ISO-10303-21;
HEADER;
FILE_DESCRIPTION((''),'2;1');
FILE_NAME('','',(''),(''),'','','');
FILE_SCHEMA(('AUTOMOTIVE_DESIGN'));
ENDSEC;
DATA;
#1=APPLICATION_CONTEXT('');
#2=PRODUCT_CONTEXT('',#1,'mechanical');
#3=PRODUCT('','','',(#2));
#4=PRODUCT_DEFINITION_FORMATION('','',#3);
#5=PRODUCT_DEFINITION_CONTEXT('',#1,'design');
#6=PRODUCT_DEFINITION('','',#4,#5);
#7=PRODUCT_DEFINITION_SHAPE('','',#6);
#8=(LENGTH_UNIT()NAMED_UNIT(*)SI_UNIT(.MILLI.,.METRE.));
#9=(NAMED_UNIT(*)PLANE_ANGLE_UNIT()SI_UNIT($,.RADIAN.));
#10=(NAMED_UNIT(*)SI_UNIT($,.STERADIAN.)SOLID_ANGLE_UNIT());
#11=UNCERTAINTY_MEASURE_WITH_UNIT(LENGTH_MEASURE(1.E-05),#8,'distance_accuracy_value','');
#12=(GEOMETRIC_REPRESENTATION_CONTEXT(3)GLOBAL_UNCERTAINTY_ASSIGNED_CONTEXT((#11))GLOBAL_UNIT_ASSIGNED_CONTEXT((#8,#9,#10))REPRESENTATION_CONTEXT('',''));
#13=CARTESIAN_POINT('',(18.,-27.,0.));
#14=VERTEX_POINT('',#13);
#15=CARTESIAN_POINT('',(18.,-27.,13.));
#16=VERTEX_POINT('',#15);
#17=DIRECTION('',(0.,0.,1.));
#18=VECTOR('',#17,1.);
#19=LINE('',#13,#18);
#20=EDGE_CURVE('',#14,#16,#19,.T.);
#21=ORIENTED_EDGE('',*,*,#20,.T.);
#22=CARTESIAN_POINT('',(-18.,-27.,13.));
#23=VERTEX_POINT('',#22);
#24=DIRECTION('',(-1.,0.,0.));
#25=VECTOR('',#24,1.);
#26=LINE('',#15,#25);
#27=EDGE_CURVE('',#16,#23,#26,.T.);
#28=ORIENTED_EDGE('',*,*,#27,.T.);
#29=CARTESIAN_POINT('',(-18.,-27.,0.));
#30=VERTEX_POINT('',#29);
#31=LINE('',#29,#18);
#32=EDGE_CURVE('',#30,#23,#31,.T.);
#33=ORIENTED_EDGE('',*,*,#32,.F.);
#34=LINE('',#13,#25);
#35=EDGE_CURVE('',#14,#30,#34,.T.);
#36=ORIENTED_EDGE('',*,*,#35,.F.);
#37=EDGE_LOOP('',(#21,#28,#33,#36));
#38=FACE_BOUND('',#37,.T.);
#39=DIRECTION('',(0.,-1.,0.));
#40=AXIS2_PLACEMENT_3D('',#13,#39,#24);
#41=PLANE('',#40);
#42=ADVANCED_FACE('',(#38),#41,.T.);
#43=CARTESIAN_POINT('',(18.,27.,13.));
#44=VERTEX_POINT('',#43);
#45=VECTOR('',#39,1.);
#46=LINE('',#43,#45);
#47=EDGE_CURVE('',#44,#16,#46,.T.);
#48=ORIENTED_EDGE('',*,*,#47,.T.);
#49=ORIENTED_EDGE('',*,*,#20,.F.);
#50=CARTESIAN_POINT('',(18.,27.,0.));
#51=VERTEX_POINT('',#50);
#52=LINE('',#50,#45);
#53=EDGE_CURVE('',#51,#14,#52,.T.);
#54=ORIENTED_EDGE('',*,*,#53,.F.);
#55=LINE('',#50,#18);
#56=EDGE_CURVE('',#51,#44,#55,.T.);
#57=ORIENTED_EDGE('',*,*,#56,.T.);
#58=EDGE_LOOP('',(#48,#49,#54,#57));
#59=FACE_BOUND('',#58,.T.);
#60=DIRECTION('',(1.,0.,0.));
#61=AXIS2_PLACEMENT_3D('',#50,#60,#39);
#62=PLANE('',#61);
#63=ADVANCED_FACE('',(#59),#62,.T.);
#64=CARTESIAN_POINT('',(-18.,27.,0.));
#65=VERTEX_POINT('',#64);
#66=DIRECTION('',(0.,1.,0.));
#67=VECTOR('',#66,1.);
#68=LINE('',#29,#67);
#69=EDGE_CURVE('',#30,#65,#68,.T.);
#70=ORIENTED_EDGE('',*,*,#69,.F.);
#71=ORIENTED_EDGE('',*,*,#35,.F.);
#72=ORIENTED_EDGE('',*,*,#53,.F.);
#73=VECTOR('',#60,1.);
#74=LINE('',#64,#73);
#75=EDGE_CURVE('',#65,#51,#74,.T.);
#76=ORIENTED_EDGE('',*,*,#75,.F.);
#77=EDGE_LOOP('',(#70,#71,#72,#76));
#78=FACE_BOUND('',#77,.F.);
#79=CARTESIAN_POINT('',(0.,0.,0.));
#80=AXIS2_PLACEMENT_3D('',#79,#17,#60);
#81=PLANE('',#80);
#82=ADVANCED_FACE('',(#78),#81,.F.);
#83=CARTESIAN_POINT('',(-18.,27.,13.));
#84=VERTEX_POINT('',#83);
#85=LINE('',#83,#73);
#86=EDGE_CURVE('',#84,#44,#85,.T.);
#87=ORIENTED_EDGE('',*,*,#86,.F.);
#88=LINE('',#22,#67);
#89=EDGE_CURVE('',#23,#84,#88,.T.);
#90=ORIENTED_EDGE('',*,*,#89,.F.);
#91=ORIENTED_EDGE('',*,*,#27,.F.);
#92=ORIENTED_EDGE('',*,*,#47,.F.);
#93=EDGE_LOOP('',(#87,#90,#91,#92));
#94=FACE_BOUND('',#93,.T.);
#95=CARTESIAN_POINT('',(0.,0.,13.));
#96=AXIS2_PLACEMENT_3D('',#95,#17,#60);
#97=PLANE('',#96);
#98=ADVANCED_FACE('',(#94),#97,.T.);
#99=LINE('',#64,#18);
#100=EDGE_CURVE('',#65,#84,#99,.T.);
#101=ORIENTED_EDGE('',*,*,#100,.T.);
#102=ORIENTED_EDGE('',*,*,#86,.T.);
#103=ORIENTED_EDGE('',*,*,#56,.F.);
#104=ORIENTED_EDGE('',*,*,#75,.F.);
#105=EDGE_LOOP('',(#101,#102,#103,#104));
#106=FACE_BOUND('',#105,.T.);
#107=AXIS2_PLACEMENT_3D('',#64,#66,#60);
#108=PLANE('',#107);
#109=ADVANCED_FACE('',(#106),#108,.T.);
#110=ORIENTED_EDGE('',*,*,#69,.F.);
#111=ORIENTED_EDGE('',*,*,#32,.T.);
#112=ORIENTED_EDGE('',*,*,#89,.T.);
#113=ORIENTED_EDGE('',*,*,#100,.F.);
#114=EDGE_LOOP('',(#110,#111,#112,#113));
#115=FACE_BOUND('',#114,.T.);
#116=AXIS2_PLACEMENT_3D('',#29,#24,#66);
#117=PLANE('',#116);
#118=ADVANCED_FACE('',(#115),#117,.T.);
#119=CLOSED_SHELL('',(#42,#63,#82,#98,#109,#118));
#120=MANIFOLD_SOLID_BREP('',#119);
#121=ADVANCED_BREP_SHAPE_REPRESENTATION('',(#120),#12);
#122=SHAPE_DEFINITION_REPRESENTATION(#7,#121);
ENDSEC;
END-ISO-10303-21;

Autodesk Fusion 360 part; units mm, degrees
sketch "Sketch1" plane through (0, 0, 0) normal (0, 0, 1) x (1, 0, 0)
  line L0 (18, -27) -> (-18, -27)
  line L1 (-18, -27) -> (-18, 27)
  line L2 (-18, 27) -> (18, 27)
  line L3 (18, 27) -> (18, -27)
  line L4 (18, -27) -> (-18, 27) construction
  line L5 (-18, -27) -> (18, 27) construction
  dimension "d1" = 36
  dimension "d2" = 54
extrude "Extrude1" add sketch "Sketch1" along normal blind 13
